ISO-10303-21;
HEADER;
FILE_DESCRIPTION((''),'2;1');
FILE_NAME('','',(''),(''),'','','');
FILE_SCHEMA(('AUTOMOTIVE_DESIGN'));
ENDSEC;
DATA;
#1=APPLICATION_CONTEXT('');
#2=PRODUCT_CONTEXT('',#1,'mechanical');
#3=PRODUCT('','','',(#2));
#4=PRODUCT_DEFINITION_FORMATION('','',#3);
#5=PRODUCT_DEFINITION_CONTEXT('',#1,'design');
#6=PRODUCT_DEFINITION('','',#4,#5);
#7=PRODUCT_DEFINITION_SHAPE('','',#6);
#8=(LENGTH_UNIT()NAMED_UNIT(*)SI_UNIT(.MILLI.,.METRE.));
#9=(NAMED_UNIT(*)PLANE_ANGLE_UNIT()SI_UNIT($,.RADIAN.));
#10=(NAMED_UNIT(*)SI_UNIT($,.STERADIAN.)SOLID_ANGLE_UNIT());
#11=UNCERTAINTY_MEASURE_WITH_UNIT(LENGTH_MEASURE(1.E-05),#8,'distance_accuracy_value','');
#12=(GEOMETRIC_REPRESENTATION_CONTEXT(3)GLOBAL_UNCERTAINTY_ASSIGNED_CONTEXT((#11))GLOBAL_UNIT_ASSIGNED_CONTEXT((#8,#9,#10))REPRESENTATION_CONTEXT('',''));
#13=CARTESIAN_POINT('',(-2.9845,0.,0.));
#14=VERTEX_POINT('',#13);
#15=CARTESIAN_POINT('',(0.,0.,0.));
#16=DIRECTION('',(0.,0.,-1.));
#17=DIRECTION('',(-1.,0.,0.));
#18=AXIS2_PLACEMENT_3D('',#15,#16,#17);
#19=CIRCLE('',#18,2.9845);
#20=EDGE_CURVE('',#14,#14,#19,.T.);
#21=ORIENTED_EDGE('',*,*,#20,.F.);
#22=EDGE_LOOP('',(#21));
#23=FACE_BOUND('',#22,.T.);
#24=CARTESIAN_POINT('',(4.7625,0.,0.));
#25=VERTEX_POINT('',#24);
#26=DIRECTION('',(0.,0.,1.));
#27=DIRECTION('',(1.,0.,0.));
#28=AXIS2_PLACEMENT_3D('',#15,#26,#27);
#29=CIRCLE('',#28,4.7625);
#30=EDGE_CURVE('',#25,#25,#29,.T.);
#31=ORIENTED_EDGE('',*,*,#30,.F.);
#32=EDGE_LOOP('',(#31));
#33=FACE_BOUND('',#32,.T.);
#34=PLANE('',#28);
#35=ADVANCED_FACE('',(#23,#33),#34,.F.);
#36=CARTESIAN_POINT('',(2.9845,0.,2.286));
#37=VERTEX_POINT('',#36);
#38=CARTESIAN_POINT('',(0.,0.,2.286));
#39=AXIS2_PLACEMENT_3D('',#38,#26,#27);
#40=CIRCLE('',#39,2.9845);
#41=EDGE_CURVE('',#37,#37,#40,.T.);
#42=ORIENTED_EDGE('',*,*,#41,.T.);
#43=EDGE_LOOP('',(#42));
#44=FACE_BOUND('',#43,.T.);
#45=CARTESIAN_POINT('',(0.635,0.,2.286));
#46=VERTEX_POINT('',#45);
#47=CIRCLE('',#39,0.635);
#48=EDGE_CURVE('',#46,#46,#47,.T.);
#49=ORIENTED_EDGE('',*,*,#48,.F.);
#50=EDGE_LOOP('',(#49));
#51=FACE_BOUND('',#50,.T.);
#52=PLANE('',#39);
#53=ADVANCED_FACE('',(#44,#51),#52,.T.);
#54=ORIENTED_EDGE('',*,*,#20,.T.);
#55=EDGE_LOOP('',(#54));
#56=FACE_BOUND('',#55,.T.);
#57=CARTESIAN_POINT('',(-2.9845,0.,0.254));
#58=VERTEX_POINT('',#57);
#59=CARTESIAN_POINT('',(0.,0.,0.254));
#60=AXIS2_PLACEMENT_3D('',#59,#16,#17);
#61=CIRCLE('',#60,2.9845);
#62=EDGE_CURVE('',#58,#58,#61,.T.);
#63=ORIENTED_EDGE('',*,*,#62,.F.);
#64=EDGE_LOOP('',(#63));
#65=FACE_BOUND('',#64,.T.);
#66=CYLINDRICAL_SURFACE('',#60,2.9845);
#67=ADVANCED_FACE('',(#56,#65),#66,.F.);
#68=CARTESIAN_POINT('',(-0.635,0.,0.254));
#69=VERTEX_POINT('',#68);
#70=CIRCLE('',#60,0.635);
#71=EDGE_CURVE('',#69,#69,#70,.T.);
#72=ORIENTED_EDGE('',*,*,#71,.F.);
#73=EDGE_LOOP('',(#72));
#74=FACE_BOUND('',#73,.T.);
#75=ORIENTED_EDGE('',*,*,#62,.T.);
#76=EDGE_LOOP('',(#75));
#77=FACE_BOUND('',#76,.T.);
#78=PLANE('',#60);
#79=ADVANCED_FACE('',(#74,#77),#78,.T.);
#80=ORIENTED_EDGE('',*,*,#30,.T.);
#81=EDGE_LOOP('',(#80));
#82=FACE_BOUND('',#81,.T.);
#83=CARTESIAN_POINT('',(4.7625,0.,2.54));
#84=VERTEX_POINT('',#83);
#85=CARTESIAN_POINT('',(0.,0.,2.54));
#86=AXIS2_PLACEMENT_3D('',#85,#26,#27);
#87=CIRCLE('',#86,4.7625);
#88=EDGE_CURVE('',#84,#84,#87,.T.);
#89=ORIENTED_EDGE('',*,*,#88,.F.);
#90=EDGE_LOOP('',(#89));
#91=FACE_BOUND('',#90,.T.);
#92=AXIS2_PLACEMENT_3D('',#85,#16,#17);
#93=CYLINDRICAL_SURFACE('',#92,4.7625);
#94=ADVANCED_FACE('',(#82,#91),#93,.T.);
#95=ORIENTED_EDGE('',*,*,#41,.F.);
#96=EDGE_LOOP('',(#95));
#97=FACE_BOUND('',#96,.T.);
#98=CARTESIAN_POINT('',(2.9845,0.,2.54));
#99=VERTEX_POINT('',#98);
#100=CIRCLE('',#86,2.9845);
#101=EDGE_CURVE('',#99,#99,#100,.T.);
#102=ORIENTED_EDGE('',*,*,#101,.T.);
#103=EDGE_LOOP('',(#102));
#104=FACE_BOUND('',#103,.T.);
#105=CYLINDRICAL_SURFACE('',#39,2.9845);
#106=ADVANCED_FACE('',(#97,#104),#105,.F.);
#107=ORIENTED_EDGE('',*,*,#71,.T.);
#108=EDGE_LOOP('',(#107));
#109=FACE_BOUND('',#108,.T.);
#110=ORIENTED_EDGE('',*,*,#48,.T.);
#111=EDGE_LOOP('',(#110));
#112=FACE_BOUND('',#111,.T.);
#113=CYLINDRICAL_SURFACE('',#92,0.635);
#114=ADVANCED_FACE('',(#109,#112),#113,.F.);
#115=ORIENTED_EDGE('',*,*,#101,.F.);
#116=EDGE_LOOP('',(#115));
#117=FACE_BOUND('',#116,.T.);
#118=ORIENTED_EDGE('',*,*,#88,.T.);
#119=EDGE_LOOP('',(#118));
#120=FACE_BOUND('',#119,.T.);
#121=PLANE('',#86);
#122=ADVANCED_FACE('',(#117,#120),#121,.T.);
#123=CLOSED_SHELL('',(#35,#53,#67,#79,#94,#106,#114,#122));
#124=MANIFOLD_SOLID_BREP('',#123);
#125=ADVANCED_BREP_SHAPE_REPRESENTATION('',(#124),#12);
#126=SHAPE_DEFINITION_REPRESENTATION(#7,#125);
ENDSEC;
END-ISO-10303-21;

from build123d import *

# Parameters (mm, degrees)
SKETCH1_R           = 4.7625
SKETCH1_R_2         = 0.635
BOSS_EXTRUDE1_DEPTH = 2.54
SKETCH2_R           = 2.9845
CUT_EXTRUDE1_DEPTH  = 0.254
CUT_EXTRUDE2_START  = -0.254
SKETCH3_R           = 2.9845
CUT_EXTRUDE2_DEPTH  = 0.254


with BuildPart() as part:
    # Sketch1 → Boss-Extrude1 (new body)
    with BuildSketch(Plane.XY):
        Circle(SKETCH1_R)
        Circle(SKETCH1_R_2, mode=Mode.SUBTRACT)
    extrude(amount=BOSS_EXTRUDE1_DEPTH)

    # Sketch2 → Cut-Extrude1 (cut)
    with BuildSketch(Plane.XY.offset(2.54)):
        Circle(SKETCH2_R)
    extrude(amount=-CUT_EXTRUDE1_DEPTH, mode=Mode.SUBTRACT)

    # Sketch3 → Cut-Extrude2 (cut)
    with BuildSketch(Plane(origin=(0, 0, 0), x_dir=(-1, 0, 0), z_dir=(0, 0, -1)).offset(CUT_EXTRUDE2_START)):
        with Locations(Location((0, 0, 0), (0, 0, 180))):
            Circle(SKETCH3_R)
    extrude(amount=CUT_EXTRUDE2_DEPTH, mode=Mode.SUBTRACT)


solid = part.part
